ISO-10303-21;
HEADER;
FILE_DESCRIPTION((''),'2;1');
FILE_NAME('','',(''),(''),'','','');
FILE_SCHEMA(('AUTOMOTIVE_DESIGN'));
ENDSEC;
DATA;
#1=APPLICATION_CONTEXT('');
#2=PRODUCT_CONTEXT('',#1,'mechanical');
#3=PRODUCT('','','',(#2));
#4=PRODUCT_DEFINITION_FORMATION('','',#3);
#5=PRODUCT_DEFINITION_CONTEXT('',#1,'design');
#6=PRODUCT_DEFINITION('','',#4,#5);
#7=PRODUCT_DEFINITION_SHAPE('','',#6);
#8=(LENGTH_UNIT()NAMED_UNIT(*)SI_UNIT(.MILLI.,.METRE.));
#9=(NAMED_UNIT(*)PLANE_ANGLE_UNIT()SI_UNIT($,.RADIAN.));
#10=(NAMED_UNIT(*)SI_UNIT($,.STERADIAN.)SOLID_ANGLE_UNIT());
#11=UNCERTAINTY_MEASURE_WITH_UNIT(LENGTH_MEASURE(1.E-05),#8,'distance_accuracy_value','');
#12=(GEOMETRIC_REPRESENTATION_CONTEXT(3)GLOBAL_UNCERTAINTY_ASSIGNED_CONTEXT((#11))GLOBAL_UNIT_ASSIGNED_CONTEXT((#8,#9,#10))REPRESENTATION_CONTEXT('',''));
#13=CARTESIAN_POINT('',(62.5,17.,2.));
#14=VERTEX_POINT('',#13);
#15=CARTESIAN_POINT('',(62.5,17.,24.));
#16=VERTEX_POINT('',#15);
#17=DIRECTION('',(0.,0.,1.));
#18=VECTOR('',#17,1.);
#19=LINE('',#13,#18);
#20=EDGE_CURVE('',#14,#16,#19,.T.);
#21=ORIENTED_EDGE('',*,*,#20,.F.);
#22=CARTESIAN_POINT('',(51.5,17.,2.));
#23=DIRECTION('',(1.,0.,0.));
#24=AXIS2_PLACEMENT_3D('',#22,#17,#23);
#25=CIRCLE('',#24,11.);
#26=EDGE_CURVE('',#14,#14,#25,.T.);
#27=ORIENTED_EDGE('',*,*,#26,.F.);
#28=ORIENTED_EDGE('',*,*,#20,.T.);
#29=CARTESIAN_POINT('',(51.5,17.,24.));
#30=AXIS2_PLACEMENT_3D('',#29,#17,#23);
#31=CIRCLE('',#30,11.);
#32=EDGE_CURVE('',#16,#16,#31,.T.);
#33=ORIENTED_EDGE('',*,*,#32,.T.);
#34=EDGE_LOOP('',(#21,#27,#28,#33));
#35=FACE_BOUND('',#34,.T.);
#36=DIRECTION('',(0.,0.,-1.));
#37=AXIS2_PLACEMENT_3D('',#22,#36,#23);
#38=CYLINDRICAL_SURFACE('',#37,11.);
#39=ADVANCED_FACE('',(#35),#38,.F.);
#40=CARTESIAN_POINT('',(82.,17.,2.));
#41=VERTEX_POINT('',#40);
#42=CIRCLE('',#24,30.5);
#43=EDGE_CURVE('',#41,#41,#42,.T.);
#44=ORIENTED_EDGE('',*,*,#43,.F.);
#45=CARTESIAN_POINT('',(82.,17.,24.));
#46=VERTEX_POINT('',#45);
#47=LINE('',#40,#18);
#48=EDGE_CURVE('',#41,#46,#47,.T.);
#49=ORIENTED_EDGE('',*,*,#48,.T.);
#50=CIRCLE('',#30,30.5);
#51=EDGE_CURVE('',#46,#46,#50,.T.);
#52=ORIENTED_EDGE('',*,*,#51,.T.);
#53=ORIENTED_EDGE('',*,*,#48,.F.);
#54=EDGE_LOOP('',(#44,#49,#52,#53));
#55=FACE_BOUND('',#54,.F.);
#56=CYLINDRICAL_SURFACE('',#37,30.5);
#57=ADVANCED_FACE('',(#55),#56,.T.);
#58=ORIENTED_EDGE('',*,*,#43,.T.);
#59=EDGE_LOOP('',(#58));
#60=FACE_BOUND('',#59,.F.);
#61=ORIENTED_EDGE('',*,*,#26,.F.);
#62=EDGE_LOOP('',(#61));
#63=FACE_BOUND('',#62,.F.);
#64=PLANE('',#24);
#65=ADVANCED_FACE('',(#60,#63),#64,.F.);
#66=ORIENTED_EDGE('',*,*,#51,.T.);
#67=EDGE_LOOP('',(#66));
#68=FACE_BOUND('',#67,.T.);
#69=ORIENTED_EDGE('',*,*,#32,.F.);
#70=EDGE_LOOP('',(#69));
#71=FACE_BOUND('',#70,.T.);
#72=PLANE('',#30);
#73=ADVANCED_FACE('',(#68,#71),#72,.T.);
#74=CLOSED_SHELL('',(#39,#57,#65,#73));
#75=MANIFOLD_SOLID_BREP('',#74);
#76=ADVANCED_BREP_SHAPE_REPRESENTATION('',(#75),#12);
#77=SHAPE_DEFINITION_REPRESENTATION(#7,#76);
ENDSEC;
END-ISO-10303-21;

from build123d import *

# Parameters (mm, degrees)
CYLINDER007_R     = 11
CYLINDER007_DEPTH = 22
CYLINDER006_R     = 30.5
CYLINDER006_DEPTH = 22


with BuildPart() as cylinder007:
    # Cylinder007 → Cylinder007 (new body)
    with BuildSketch(Plane.XY):
        Circle(CYLINDER007_R)
    extrude(amount=CYLINDER007_DEPTH)


with BuildPart() as coilarea001copper:
    # Cylinder006 → Cylinder006 (new body)
    with BuildSketch(Plane.XY):
        Circle(CYLINDER006_R)
    extrude(amount=CYLINDER006_DEPTH)

    # Cut006: cut Cylinder007
    add(cylinder007.part, mode=Mode.SUBTRACT)


with BuildPart() as coilarea001copper_1:
    # Cut006 placement: moved
    add(coilarea001copper.part.moved(Location((51.5, 17, 2))))


solid = coilarea001copper_1.part
